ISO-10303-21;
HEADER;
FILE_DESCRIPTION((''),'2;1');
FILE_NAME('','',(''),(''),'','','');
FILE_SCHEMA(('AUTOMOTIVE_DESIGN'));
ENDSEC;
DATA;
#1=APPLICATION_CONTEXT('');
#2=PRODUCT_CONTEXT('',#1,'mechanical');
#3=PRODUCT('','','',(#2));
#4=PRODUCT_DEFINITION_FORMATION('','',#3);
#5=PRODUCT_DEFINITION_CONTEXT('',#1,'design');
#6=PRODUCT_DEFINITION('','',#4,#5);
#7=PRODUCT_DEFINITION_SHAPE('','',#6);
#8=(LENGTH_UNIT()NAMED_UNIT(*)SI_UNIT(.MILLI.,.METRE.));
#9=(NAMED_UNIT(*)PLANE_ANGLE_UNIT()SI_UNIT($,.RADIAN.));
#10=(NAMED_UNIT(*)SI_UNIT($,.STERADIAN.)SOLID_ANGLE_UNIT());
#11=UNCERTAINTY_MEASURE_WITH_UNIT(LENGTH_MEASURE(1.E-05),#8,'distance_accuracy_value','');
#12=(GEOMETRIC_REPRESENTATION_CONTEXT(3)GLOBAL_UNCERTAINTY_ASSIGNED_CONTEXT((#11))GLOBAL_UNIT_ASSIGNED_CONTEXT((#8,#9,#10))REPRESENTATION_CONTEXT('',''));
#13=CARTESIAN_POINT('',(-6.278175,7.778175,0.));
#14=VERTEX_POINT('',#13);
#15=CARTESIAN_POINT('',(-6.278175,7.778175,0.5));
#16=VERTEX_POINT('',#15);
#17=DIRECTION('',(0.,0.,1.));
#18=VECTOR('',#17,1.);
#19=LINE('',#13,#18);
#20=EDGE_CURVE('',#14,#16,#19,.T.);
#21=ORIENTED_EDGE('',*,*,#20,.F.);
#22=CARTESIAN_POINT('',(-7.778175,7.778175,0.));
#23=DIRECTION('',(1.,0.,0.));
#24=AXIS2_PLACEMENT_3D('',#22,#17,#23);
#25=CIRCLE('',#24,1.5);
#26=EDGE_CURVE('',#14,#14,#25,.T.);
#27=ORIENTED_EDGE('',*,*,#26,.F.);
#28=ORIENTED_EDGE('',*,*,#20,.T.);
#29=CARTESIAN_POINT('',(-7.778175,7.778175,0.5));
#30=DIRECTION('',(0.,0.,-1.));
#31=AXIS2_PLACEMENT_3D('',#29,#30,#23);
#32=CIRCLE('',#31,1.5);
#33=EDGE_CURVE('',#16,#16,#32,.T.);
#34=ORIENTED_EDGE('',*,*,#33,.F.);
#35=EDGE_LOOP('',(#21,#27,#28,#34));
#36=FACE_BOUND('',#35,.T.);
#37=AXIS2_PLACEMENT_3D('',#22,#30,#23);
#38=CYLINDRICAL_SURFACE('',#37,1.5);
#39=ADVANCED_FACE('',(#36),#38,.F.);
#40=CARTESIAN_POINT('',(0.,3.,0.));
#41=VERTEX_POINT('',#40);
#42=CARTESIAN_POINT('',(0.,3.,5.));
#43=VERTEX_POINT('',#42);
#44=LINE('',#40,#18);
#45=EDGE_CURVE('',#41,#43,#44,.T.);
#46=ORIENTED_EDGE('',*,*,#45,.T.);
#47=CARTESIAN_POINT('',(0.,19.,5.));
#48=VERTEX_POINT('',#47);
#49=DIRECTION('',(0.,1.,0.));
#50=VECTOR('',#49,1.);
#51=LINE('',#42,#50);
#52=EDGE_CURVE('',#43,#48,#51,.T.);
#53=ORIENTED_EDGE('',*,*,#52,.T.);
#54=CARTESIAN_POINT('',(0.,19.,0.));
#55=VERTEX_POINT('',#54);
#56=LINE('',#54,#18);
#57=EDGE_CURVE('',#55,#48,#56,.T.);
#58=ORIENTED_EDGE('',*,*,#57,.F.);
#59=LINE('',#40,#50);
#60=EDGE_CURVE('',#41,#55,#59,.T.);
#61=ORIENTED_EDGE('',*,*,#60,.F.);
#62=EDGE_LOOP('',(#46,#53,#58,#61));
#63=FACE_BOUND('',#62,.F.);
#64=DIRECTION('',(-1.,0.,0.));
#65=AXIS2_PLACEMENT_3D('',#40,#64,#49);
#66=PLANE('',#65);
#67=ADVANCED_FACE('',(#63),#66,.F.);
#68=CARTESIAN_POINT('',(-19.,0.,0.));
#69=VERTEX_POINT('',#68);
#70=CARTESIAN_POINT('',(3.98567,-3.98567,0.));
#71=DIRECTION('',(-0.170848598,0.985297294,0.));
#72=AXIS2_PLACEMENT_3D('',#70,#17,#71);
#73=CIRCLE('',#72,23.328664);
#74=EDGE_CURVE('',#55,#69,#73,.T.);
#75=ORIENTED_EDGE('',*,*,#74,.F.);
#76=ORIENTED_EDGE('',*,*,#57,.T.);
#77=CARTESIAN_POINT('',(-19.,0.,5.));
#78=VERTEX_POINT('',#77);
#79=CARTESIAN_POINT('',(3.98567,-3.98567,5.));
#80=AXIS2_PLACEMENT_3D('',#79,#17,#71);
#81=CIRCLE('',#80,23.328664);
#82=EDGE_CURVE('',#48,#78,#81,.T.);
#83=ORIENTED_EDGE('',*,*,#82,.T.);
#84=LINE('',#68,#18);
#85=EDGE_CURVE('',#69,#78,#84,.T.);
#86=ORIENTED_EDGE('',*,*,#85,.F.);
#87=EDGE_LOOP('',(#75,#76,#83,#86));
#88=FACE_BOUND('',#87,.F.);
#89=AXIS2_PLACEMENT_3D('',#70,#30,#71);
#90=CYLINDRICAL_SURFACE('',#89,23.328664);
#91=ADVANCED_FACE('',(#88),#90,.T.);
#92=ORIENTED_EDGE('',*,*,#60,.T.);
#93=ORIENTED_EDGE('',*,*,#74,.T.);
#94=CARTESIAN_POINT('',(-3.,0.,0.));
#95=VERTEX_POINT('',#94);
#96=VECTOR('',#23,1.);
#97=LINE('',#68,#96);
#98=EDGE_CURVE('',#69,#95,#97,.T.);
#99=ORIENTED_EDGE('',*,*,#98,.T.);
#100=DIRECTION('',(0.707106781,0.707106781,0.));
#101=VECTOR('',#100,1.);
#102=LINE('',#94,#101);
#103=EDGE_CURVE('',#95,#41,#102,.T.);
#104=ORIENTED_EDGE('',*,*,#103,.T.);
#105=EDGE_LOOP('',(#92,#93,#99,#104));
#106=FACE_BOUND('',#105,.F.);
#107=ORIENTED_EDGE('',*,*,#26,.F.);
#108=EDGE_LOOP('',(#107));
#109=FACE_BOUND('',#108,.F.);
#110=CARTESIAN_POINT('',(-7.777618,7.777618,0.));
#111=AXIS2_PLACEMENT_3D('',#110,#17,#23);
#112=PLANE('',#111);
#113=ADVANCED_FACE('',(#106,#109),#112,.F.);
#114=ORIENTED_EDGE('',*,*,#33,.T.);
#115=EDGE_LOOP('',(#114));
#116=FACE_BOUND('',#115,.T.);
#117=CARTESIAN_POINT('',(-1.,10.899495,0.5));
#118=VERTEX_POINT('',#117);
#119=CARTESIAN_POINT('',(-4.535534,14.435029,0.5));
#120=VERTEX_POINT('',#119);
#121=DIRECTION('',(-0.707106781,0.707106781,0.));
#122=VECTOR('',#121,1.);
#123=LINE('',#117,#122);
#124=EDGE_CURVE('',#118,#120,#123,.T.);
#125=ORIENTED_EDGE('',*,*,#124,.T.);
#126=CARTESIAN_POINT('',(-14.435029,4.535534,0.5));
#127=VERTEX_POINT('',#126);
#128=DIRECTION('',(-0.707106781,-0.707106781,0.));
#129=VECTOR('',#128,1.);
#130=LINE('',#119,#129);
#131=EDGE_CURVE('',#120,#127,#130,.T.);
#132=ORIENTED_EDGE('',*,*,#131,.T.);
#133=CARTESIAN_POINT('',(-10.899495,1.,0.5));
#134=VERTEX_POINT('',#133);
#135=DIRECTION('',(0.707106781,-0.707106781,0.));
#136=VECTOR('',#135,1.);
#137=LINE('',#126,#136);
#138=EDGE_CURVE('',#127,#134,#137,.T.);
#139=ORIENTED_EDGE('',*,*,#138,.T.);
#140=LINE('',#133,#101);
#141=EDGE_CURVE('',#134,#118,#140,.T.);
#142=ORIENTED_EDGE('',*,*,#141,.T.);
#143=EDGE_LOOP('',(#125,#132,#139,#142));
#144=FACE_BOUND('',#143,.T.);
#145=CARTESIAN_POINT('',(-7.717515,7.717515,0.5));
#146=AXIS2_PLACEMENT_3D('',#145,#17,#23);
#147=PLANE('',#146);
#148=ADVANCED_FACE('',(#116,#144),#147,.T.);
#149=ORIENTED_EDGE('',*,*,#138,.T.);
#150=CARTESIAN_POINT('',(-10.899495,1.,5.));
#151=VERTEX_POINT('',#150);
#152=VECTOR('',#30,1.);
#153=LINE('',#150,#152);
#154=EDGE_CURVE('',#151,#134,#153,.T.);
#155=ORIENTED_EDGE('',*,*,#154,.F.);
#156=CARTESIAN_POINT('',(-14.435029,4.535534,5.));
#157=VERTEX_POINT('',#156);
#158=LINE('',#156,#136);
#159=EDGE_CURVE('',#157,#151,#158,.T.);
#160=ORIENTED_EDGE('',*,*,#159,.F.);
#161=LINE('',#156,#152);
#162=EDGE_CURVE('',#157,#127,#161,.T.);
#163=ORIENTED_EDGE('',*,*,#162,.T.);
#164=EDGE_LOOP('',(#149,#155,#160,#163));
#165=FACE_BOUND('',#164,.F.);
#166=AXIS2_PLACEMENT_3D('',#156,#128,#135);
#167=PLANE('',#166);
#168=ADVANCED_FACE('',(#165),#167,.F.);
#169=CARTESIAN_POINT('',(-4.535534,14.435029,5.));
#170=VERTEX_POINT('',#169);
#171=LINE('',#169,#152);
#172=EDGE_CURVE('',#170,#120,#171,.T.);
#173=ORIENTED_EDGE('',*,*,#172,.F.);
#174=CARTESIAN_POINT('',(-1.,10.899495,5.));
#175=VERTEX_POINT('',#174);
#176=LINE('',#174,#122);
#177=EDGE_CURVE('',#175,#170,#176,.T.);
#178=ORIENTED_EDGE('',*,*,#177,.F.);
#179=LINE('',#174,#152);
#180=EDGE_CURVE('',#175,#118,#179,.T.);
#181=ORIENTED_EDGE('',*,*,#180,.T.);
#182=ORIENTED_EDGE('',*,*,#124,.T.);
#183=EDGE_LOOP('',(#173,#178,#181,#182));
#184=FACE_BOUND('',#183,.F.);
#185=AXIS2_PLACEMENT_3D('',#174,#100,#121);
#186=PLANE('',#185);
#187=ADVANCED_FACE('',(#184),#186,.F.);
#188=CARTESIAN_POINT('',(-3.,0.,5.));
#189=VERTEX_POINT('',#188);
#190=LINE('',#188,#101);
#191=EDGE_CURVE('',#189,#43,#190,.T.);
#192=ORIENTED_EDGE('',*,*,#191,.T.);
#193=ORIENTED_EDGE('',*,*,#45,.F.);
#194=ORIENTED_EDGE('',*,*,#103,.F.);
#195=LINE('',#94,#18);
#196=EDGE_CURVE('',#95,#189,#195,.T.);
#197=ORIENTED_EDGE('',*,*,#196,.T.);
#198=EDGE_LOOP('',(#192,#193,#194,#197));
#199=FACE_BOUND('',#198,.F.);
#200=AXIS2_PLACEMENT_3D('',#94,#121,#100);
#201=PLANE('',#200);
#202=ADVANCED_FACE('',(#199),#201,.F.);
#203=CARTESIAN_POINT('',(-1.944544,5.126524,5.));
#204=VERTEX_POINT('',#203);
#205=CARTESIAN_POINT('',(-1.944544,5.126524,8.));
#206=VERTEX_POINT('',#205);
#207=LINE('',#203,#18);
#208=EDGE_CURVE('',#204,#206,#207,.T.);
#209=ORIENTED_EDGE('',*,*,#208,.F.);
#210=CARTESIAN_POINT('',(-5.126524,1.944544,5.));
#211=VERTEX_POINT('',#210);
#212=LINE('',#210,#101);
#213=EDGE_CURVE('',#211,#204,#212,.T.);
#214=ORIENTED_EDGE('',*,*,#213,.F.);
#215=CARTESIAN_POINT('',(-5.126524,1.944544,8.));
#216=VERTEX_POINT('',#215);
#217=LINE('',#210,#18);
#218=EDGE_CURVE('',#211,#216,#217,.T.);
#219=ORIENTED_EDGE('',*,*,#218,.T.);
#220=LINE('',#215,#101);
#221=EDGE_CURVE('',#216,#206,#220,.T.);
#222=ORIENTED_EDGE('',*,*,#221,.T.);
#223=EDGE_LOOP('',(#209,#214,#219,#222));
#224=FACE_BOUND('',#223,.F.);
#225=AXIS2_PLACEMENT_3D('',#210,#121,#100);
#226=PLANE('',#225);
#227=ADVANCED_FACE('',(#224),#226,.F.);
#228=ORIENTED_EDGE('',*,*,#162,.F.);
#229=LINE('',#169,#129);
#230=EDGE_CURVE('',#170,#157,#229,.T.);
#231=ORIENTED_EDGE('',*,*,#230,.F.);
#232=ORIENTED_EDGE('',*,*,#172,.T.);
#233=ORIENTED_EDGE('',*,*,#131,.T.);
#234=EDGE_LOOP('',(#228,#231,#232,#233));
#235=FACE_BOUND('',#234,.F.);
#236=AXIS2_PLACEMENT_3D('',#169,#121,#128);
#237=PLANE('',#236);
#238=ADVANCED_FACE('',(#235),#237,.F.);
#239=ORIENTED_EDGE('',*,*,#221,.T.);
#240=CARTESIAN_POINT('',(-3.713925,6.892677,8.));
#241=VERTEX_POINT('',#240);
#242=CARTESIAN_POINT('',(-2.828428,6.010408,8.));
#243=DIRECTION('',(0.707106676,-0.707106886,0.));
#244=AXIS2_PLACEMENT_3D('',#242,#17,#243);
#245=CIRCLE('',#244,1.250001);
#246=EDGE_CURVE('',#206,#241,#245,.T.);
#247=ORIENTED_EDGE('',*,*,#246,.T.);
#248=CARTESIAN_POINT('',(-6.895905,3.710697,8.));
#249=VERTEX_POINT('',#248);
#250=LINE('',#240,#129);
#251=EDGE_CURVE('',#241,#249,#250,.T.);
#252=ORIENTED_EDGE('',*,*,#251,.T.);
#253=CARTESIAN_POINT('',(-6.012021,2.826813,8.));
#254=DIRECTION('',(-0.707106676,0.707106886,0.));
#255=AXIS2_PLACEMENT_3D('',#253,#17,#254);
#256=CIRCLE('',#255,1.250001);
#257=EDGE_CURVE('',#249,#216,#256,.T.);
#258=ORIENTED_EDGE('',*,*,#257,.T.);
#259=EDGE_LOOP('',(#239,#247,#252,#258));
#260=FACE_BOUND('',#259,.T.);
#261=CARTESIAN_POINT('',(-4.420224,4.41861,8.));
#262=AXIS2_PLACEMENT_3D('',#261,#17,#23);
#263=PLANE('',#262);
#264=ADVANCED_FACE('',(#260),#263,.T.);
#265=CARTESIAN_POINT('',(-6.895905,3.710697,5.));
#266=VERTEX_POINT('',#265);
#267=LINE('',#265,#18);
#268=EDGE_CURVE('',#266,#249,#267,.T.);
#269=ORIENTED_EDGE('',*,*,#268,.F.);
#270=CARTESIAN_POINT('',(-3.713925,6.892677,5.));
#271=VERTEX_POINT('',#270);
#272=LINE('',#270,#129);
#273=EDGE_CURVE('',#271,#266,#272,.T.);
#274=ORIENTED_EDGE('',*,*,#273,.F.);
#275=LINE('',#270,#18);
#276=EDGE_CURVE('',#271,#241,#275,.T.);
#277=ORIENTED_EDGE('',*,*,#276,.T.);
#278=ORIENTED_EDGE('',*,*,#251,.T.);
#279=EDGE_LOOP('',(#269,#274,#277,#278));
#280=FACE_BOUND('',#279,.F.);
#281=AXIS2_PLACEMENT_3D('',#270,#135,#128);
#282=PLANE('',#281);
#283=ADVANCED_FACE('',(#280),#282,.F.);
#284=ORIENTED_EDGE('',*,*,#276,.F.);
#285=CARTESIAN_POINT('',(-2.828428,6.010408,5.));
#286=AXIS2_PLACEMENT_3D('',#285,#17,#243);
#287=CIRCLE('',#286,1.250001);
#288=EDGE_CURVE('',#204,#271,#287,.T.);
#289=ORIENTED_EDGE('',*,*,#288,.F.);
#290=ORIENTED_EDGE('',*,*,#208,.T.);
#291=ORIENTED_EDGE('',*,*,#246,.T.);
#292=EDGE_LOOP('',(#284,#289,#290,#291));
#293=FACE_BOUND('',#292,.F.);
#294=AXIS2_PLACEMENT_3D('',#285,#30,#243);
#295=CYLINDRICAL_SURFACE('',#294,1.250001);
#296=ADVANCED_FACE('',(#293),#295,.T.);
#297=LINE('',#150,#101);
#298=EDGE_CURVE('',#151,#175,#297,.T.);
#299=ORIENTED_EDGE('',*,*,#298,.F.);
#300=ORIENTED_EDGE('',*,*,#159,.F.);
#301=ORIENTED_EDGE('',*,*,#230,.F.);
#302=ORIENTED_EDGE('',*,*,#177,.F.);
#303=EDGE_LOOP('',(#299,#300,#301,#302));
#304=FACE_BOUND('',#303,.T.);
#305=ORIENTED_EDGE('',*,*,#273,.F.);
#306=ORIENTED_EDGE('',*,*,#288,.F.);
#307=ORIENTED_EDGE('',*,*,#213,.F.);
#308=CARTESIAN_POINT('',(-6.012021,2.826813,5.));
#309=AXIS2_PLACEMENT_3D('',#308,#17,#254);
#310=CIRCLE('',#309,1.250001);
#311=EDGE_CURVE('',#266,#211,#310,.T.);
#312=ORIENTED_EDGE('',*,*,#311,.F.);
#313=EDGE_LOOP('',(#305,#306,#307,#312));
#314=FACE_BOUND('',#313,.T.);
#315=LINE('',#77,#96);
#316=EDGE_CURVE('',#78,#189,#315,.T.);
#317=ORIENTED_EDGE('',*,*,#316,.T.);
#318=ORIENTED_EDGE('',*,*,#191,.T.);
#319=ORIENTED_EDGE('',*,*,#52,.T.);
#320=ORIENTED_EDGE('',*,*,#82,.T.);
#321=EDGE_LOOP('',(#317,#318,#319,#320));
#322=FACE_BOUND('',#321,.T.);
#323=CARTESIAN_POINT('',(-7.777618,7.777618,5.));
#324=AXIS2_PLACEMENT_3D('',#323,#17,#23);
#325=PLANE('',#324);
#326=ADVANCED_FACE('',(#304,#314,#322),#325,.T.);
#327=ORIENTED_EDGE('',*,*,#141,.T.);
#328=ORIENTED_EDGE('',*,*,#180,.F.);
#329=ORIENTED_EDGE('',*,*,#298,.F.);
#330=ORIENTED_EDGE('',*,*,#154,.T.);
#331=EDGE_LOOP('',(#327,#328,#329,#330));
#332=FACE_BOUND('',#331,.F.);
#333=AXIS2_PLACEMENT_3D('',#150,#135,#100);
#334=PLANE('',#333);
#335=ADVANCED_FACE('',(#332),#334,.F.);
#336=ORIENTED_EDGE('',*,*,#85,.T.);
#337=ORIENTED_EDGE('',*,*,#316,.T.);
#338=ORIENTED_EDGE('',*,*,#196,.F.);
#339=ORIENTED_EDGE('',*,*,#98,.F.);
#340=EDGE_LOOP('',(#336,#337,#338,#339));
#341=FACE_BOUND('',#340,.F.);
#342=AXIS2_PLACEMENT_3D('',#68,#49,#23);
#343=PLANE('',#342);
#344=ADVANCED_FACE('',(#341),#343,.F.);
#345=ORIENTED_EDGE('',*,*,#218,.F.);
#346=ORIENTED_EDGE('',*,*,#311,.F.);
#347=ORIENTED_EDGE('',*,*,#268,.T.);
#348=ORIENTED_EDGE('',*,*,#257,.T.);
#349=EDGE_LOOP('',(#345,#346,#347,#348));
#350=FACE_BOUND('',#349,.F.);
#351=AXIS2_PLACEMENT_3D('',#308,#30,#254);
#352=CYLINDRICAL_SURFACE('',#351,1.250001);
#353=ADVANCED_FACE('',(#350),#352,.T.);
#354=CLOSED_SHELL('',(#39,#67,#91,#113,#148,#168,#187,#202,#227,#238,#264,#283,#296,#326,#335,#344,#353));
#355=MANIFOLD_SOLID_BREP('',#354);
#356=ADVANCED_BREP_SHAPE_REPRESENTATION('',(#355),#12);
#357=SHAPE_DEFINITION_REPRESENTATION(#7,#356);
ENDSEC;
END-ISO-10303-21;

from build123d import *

# Parameters (mm, degrees)
F1_DEPTH = 5
F3_DEPTH = 4.5
F5_DEPTH = 3
F6_R     = 1.5
F7_DEPTH = 8.001


with BuildPart() as f1:
    # F0 (on Top) → F1 (new body)
    with BuildSketch(Plane.XY):
        with BuildLine():
            Line((-3, 0), (0, 3))
            Line((0, 3), (0, 19))
            ThreePointArc((0, 19), (-12.510187, 12.510187), (-19, 0))
            Line((-19, 0), (-3, 0))
        make_face()
    extrude(amount=F1_DEPTH)

    # F2 (on face) → F3 (cut)
    with BuildSketch(Plane.XY.offset(5)):
        Polygon((-10.899495, 1), (-1, 10.899495), (-4.535534, 14.435029), (-14.435029, 4.535534), align=None)
    extrude(amount=-F3_DEPTH, mode=Mode.SUBTRACT)

    # F4 (on face) → F5 (join)
    with BuildSketch(Plane.XY.offset(5)):
        with BuildLine():
            Line((-3.713925, 6.892677), (-6.895905, 3.710697))
            ThreePointArc((-6.895905, 3.710697), (-6.895098, 1.942122), (-5.126524, 1.944544))
            Line((-5.126524, 1.944544), (-1.944544, 5.126524))
            ThreePointArc((-1.944544, 5.126524), (-1.945351, 6.895099), (-3.713925, 6.892677))
        make_face()
    extrude(amount=F5_DEPTH)

    # F6 (on face) → F7 (cut, through all)
    with BuildSketch(Plane.XY):
        with Locations((-7.778175, 7.778175)):
            Circle(F6_R)
    extrude(amount=F7_DEPTH, mode=Mode.SUBTRACT)


solid = f1.part
